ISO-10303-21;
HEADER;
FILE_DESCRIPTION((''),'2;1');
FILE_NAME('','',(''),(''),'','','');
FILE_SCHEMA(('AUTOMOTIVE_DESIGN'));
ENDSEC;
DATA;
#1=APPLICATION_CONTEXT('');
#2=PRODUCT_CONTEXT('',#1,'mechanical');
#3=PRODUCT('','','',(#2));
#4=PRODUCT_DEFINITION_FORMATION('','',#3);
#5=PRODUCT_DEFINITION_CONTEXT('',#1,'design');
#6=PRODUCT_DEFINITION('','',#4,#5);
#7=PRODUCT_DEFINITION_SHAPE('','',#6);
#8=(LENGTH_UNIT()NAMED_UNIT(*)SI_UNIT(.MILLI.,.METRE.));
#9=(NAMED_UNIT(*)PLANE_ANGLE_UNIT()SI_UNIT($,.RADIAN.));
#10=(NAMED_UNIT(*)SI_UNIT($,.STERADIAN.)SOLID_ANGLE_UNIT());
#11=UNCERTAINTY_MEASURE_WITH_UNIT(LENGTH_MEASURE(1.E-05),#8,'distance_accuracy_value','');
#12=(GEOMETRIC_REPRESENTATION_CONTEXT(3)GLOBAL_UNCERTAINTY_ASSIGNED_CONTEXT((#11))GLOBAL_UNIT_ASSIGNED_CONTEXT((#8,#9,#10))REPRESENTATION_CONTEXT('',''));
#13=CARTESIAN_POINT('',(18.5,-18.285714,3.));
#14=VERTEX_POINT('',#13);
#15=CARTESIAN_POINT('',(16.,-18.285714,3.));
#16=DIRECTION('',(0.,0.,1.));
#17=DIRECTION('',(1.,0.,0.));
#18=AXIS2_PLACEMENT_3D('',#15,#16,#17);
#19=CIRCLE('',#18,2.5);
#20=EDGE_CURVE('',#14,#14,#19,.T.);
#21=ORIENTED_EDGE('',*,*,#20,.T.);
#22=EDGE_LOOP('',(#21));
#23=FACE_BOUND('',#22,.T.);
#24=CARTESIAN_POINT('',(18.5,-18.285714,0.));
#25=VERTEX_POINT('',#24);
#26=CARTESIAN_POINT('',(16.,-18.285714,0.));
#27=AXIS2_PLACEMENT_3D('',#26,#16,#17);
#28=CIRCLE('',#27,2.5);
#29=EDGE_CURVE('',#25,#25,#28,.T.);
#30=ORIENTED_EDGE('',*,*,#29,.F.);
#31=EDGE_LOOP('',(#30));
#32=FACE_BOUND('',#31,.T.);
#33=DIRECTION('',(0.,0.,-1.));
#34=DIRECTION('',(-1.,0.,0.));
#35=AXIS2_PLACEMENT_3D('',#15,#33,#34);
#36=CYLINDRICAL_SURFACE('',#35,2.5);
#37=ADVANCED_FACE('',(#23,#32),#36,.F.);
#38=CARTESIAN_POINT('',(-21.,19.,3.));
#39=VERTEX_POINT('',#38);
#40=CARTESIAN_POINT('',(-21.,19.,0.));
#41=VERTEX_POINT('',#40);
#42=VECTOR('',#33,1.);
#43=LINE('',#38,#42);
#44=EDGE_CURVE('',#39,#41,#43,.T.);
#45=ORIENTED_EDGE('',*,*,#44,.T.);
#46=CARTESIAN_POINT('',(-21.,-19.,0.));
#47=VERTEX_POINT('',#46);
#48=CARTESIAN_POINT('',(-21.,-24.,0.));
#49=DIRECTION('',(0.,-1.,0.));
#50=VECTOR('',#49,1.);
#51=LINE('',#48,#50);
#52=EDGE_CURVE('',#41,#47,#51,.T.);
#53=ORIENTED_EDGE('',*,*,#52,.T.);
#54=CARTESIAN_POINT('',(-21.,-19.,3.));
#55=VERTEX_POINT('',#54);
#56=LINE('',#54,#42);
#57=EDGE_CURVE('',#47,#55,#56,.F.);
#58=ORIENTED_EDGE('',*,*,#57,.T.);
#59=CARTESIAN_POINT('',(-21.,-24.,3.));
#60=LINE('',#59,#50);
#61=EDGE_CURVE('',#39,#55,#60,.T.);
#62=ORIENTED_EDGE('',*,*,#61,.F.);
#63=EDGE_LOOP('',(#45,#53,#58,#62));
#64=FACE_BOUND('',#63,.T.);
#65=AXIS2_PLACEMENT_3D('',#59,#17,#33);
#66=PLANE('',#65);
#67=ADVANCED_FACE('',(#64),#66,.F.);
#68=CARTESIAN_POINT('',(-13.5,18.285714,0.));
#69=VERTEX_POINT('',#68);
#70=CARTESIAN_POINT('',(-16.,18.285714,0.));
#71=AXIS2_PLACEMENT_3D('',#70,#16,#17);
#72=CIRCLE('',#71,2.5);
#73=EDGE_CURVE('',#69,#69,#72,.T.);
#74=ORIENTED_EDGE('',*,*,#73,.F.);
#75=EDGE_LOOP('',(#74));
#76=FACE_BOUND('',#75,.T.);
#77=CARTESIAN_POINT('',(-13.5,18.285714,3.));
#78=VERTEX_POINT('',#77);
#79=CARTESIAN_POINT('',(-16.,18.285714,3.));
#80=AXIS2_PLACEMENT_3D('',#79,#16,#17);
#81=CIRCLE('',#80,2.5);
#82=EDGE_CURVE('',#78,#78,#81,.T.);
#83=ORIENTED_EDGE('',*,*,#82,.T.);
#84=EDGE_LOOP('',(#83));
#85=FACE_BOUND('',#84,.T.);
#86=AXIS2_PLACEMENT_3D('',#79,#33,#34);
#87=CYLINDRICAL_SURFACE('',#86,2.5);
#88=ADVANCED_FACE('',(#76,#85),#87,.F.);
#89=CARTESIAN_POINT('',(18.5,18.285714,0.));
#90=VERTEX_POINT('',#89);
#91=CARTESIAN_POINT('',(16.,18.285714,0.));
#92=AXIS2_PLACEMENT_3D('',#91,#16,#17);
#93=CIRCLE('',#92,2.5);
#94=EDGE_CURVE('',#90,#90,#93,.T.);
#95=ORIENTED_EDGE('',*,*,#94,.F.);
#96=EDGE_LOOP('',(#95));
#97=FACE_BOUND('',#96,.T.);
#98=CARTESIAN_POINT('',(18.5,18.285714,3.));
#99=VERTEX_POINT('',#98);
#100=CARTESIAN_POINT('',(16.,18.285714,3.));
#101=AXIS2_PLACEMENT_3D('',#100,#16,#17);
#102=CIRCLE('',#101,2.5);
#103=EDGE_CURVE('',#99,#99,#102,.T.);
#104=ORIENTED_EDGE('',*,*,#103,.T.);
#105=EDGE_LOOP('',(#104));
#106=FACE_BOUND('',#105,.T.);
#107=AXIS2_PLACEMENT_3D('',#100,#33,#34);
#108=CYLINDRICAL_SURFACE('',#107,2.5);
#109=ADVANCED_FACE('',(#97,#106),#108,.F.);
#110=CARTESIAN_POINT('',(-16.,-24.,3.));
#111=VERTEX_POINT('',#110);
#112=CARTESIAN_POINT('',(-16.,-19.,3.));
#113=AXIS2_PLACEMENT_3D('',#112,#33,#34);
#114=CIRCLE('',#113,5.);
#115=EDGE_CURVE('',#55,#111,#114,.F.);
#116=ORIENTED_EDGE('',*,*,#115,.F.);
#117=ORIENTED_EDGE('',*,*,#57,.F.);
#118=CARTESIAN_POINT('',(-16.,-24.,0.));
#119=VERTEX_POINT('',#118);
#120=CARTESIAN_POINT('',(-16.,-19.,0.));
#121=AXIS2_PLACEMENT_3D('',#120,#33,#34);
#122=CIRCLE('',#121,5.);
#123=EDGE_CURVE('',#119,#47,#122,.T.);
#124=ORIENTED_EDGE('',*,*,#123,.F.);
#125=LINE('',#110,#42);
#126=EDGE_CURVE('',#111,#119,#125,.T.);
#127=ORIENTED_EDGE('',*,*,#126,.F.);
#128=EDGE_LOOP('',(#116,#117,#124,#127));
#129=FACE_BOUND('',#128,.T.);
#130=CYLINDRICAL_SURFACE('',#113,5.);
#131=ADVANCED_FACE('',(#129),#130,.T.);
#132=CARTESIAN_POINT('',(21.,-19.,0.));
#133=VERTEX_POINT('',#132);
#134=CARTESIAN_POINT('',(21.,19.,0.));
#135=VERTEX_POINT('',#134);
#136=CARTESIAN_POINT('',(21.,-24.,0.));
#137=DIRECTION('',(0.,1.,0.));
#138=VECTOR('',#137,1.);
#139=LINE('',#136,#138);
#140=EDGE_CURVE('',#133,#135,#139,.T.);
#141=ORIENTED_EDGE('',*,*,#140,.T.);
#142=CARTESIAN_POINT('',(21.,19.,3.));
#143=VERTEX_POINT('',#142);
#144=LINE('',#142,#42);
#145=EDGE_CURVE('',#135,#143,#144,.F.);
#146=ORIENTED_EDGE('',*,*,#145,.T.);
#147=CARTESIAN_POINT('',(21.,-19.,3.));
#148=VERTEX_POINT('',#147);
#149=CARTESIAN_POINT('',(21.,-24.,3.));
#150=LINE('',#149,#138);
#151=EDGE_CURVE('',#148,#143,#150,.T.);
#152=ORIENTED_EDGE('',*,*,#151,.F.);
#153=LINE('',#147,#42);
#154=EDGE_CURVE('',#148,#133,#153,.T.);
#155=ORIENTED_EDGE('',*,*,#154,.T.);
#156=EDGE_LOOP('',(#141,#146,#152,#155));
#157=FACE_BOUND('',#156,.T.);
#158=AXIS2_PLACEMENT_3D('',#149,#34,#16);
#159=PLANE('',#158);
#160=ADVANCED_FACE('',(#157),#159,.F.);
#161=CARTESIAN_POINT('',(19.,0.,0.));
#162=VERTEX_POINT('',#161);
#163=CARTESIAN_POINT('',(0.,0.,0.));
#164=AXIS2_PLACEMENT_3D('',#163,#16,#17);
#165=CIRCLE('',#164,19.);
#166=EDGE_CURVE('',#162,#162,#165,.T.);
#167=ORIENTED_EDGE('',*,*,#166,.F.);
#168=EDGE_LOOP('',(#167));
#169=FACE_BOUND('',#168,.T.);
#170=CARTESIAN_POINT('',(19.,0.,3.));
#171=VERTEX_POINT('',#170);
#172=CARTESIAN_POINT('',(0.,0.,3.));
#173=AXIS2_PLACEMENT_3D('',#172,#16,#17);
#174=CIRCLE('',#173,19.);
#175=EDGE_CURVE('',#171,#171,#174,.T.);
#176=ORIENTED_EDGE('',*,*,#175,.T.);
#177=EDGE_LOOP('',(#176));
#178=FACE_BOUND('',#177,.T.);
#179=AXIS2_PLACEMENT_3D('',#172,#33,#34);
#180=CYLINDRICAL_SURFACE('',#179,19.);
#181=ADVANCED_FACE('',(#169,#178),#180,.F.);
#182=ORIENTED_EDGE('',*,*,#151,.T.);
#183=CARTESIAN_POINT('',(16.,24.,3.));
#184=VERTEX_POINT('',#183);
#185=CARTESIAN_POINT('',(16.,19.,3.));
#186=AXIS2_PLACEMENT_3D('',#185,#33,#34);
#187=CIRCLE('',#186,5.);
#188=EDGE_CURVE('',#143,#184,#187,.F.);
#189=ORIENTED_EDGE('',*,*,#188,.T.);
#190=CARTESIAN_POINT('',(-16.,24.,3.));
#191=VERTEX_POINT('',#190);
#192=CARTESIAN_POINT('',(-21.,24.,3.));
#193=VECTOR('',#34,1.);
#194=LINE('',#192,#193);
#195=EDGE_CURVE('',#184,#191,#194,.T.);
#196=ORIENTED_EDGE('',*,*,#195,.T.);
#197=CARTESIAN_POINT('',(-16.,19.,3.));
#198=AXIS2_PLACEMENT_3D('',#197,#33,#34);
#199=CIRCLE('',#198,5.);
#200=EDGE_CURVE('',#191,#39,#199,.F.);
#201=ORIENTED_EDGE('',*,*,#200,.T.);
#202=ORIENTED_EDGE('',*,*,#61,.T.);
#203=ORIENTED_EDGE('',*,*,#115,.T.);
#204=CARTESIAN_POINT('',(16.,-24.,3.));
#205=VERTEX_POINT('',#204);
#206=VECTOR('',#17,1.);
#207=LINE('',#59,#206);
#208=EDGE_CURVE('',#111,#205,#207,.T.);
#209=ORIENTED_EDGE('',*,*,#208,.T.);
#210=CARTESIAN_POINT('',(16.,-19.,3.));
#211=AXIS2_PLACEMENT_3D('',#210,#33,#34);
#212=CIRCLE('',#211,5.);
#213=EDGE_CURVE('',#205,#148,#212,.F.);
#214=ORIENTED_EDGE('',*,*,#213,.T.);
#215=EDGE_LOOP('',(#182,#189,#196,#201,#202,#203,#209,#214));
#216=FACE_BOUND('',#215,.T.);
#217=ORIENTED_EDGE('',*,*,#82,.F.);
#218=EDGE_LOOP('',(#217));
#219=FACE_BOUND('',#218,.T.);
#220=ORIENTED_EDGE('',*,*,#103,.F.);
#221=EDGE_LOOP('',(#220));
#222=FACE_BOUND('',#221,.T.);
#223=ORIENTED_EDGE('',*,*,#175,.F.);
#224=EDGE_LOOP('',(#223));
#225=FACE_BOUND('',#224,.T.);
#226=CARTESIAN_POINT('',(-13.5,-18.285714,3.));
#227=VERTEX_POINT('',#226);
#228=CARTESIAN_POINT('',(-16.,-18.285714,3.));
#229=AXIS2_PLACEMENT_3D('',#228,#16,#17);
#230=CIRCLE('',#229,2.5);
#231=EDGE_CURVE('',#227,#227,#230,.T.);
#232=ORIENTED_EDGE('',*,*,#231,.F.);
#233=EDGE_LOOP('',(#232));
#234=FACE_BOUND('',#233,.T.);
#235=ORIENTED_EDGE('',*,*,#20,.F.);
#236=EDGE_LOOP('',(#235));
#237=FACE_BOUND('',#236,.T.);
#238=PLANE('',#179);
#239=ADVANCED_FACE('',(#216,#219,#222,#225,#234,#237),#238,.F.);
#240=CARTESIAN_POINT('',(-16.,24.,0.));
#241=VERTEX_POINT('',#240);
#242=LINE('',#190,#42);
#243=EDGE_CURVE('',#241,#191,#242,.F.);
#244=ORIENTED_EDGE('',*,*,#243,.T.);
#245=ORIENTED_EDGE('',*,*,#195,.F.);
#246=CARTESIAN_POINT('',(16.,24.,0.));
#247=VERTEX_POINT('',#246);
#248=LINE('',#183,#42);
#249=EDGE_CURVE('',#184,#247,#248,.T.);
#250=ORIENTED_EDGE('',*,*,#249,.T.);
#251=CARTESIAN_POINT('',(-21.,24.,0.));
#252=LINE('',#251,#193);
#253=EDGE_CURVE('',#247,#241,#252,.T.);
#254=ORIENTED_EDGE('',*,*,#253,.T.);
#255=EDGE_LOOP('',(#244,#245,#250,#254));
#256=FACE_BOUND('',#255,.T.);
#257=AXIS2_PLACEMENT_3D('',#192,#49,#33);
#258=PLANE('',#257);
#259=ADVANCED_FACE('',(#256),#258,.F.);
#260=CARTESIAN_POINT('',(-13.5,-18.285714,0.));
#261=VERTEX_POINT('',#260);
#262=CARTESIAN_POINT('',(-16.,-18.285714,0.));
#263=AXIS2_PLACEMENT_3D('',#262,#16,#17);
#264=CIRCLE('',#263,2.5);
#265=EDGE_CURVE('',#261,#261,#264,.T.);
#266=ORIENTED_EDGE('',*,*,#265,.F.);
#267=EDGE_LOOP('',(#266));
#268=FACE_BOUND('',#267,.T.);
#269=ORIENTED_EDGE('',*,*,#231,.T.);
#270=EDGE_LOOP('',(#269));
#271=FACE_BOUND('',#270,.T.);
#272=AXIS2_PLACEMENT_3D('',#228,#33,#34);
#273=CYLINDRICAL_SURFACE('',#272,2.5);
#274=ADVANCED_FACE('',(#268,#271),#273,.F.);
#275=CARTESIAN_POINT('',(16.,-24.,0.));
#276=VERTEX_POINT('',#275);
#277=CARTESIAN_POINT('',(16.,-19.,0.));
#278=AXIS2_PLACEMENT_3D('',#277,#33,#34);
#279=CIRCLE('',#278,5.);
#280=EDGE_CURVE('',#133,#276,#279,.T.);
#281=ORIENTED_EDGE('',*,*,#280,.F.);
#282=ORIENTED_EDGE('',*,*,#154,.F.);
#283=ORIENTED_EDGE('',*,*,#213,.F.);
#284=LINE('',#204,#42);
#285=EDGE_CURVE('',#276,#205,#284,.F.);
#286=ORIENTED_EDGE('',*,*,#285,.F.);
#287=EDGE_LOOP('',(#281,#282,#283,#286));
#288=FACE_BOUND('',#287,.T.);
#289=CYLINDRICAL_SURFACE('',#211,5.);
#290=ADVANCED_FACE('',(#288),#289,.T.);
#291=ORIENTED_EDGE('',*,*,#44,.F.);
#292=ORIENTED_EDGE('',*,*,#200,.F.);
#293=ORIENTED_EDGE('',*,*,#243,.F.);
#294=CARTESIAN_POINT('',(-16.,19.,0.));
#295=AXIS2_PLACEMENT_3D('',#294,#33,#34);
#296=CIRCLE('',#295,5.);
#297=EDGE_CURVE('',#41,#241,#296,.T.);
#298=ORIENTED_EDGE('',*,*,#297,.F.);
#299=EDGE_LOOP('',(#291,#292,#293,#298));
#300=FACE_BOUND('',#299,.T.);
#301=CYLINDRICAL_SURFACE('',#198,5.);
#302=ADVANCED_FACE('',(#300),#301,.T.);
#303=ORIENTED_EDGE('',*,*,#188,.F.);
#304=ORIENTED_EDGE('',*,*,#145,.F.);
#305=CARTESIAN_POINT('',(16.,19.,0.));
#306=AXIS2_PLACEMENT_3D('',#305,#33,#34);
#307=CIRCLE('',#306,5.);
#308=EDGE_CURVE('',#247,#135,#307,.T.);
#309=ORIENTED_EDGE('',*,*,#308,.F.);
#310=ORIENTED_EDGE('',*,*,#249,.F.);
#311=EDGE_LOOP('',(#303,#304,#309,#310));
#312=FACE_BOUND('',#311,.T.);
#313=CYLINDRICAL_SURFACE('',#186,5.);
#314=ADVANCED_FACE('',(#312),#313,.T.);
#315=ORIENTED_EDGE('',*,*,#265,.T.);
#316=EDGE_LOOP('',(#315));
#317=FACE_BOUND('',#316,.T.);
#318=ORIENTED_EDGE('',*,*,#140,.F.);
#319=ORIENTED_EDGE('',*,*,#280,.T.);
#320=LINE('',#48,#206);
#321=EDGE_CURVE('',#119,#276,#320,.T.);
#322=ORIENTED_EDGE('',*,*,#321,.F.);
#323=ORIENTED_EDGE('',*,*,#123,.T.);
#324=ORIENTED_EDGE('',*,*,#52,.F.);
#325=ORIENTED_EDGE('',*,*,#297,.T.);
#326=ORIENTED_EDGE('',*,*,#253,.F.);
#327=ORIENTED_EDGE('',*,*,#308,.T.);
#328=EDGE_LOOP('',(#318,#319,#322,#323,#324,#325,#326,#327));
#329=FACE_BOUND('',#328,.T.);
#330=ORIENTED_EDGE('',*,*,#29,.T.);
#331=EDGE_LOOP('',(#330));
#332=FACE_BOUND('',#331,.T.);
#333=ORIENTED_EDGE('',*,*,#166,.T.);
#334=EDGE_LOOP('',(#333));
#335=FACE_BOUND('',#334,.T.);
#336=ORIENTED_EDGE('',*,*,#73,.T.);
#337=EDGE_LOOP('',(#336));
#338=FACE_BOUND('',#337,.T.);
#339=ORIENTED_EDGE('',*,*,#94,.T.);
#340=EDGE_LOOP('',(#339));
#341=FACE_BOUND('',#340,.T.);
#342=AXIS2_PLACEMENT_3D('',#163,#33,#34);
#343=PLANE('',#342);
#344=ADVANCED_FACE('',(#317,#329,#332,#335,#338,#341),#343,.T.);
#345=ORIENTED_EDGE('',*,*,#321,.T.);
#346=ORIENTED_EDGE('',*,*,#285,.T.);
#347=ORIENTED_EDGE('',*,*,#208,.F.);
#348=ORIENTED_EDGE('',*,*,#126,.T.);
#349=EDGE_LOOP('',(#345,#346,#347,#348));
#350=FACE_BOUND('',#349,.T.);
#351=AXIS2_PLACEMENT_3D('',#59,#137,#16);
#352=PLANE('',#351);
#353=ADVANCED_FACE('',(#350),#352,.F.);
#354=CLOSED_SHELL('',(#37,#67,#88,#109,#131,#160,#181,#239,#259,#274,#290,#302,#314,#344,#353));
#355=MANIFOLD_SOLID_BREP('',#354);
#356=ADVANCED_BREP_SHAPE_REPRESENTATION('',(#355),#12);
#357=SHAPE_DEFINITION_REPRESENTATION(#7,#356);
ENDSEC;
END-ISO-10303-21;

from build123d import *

# Parameters (mm, degrees)
SKETCH1_W           = 42
SKETCH1_H           = 48
SKETCH1_R           = 19
SKETCH1_R_2         = 2.5
BOSS_EXTRUDE1_DEPTH = 3
FILLET1_R           = 5


with BuildPart() as part:
    # Sketch1 → Boss-Extrude1 (new body)
    with BuildSketch(Plane.XY):
        Rectangle(SKETCH1_W, SKETCH1_H)
        Circle(SKETCH1_R, mode=Mode.SUBTRACT)
        with Locations((-16, 18.285714286)):
            Circle(SKETCH1_R_2, mode=Mode.SUBTRACT)
        with Locations((16, 18.285714286)):
            Circle(SKETCH1_R_2, mode=Mode.SUBTRACT)
        with Locations((16, -18.285714286)):
            Circle(SKETCH1_R_2, mode=Mode.SUBTRACT)
        with Locations((-16, -18.285714286)):
            Circle(SKETCH1_R_2, mode=Mode.SUBTRACT)
    extrude(amount=BOSS_EXTRUDE1_DEPTH)

    # Fillet1
    fillet1_edges = [part.edges().sort_by_distance(p)[0] for p in [
        (21, -24, 1.5),
        (-21, -24, 1.5),
        (-21, 24, 1.5),
        (21, 24, 1.5),
    ]]
    fillet(fillet1_edges, radius=FILLET1_R)


solid = part.part
